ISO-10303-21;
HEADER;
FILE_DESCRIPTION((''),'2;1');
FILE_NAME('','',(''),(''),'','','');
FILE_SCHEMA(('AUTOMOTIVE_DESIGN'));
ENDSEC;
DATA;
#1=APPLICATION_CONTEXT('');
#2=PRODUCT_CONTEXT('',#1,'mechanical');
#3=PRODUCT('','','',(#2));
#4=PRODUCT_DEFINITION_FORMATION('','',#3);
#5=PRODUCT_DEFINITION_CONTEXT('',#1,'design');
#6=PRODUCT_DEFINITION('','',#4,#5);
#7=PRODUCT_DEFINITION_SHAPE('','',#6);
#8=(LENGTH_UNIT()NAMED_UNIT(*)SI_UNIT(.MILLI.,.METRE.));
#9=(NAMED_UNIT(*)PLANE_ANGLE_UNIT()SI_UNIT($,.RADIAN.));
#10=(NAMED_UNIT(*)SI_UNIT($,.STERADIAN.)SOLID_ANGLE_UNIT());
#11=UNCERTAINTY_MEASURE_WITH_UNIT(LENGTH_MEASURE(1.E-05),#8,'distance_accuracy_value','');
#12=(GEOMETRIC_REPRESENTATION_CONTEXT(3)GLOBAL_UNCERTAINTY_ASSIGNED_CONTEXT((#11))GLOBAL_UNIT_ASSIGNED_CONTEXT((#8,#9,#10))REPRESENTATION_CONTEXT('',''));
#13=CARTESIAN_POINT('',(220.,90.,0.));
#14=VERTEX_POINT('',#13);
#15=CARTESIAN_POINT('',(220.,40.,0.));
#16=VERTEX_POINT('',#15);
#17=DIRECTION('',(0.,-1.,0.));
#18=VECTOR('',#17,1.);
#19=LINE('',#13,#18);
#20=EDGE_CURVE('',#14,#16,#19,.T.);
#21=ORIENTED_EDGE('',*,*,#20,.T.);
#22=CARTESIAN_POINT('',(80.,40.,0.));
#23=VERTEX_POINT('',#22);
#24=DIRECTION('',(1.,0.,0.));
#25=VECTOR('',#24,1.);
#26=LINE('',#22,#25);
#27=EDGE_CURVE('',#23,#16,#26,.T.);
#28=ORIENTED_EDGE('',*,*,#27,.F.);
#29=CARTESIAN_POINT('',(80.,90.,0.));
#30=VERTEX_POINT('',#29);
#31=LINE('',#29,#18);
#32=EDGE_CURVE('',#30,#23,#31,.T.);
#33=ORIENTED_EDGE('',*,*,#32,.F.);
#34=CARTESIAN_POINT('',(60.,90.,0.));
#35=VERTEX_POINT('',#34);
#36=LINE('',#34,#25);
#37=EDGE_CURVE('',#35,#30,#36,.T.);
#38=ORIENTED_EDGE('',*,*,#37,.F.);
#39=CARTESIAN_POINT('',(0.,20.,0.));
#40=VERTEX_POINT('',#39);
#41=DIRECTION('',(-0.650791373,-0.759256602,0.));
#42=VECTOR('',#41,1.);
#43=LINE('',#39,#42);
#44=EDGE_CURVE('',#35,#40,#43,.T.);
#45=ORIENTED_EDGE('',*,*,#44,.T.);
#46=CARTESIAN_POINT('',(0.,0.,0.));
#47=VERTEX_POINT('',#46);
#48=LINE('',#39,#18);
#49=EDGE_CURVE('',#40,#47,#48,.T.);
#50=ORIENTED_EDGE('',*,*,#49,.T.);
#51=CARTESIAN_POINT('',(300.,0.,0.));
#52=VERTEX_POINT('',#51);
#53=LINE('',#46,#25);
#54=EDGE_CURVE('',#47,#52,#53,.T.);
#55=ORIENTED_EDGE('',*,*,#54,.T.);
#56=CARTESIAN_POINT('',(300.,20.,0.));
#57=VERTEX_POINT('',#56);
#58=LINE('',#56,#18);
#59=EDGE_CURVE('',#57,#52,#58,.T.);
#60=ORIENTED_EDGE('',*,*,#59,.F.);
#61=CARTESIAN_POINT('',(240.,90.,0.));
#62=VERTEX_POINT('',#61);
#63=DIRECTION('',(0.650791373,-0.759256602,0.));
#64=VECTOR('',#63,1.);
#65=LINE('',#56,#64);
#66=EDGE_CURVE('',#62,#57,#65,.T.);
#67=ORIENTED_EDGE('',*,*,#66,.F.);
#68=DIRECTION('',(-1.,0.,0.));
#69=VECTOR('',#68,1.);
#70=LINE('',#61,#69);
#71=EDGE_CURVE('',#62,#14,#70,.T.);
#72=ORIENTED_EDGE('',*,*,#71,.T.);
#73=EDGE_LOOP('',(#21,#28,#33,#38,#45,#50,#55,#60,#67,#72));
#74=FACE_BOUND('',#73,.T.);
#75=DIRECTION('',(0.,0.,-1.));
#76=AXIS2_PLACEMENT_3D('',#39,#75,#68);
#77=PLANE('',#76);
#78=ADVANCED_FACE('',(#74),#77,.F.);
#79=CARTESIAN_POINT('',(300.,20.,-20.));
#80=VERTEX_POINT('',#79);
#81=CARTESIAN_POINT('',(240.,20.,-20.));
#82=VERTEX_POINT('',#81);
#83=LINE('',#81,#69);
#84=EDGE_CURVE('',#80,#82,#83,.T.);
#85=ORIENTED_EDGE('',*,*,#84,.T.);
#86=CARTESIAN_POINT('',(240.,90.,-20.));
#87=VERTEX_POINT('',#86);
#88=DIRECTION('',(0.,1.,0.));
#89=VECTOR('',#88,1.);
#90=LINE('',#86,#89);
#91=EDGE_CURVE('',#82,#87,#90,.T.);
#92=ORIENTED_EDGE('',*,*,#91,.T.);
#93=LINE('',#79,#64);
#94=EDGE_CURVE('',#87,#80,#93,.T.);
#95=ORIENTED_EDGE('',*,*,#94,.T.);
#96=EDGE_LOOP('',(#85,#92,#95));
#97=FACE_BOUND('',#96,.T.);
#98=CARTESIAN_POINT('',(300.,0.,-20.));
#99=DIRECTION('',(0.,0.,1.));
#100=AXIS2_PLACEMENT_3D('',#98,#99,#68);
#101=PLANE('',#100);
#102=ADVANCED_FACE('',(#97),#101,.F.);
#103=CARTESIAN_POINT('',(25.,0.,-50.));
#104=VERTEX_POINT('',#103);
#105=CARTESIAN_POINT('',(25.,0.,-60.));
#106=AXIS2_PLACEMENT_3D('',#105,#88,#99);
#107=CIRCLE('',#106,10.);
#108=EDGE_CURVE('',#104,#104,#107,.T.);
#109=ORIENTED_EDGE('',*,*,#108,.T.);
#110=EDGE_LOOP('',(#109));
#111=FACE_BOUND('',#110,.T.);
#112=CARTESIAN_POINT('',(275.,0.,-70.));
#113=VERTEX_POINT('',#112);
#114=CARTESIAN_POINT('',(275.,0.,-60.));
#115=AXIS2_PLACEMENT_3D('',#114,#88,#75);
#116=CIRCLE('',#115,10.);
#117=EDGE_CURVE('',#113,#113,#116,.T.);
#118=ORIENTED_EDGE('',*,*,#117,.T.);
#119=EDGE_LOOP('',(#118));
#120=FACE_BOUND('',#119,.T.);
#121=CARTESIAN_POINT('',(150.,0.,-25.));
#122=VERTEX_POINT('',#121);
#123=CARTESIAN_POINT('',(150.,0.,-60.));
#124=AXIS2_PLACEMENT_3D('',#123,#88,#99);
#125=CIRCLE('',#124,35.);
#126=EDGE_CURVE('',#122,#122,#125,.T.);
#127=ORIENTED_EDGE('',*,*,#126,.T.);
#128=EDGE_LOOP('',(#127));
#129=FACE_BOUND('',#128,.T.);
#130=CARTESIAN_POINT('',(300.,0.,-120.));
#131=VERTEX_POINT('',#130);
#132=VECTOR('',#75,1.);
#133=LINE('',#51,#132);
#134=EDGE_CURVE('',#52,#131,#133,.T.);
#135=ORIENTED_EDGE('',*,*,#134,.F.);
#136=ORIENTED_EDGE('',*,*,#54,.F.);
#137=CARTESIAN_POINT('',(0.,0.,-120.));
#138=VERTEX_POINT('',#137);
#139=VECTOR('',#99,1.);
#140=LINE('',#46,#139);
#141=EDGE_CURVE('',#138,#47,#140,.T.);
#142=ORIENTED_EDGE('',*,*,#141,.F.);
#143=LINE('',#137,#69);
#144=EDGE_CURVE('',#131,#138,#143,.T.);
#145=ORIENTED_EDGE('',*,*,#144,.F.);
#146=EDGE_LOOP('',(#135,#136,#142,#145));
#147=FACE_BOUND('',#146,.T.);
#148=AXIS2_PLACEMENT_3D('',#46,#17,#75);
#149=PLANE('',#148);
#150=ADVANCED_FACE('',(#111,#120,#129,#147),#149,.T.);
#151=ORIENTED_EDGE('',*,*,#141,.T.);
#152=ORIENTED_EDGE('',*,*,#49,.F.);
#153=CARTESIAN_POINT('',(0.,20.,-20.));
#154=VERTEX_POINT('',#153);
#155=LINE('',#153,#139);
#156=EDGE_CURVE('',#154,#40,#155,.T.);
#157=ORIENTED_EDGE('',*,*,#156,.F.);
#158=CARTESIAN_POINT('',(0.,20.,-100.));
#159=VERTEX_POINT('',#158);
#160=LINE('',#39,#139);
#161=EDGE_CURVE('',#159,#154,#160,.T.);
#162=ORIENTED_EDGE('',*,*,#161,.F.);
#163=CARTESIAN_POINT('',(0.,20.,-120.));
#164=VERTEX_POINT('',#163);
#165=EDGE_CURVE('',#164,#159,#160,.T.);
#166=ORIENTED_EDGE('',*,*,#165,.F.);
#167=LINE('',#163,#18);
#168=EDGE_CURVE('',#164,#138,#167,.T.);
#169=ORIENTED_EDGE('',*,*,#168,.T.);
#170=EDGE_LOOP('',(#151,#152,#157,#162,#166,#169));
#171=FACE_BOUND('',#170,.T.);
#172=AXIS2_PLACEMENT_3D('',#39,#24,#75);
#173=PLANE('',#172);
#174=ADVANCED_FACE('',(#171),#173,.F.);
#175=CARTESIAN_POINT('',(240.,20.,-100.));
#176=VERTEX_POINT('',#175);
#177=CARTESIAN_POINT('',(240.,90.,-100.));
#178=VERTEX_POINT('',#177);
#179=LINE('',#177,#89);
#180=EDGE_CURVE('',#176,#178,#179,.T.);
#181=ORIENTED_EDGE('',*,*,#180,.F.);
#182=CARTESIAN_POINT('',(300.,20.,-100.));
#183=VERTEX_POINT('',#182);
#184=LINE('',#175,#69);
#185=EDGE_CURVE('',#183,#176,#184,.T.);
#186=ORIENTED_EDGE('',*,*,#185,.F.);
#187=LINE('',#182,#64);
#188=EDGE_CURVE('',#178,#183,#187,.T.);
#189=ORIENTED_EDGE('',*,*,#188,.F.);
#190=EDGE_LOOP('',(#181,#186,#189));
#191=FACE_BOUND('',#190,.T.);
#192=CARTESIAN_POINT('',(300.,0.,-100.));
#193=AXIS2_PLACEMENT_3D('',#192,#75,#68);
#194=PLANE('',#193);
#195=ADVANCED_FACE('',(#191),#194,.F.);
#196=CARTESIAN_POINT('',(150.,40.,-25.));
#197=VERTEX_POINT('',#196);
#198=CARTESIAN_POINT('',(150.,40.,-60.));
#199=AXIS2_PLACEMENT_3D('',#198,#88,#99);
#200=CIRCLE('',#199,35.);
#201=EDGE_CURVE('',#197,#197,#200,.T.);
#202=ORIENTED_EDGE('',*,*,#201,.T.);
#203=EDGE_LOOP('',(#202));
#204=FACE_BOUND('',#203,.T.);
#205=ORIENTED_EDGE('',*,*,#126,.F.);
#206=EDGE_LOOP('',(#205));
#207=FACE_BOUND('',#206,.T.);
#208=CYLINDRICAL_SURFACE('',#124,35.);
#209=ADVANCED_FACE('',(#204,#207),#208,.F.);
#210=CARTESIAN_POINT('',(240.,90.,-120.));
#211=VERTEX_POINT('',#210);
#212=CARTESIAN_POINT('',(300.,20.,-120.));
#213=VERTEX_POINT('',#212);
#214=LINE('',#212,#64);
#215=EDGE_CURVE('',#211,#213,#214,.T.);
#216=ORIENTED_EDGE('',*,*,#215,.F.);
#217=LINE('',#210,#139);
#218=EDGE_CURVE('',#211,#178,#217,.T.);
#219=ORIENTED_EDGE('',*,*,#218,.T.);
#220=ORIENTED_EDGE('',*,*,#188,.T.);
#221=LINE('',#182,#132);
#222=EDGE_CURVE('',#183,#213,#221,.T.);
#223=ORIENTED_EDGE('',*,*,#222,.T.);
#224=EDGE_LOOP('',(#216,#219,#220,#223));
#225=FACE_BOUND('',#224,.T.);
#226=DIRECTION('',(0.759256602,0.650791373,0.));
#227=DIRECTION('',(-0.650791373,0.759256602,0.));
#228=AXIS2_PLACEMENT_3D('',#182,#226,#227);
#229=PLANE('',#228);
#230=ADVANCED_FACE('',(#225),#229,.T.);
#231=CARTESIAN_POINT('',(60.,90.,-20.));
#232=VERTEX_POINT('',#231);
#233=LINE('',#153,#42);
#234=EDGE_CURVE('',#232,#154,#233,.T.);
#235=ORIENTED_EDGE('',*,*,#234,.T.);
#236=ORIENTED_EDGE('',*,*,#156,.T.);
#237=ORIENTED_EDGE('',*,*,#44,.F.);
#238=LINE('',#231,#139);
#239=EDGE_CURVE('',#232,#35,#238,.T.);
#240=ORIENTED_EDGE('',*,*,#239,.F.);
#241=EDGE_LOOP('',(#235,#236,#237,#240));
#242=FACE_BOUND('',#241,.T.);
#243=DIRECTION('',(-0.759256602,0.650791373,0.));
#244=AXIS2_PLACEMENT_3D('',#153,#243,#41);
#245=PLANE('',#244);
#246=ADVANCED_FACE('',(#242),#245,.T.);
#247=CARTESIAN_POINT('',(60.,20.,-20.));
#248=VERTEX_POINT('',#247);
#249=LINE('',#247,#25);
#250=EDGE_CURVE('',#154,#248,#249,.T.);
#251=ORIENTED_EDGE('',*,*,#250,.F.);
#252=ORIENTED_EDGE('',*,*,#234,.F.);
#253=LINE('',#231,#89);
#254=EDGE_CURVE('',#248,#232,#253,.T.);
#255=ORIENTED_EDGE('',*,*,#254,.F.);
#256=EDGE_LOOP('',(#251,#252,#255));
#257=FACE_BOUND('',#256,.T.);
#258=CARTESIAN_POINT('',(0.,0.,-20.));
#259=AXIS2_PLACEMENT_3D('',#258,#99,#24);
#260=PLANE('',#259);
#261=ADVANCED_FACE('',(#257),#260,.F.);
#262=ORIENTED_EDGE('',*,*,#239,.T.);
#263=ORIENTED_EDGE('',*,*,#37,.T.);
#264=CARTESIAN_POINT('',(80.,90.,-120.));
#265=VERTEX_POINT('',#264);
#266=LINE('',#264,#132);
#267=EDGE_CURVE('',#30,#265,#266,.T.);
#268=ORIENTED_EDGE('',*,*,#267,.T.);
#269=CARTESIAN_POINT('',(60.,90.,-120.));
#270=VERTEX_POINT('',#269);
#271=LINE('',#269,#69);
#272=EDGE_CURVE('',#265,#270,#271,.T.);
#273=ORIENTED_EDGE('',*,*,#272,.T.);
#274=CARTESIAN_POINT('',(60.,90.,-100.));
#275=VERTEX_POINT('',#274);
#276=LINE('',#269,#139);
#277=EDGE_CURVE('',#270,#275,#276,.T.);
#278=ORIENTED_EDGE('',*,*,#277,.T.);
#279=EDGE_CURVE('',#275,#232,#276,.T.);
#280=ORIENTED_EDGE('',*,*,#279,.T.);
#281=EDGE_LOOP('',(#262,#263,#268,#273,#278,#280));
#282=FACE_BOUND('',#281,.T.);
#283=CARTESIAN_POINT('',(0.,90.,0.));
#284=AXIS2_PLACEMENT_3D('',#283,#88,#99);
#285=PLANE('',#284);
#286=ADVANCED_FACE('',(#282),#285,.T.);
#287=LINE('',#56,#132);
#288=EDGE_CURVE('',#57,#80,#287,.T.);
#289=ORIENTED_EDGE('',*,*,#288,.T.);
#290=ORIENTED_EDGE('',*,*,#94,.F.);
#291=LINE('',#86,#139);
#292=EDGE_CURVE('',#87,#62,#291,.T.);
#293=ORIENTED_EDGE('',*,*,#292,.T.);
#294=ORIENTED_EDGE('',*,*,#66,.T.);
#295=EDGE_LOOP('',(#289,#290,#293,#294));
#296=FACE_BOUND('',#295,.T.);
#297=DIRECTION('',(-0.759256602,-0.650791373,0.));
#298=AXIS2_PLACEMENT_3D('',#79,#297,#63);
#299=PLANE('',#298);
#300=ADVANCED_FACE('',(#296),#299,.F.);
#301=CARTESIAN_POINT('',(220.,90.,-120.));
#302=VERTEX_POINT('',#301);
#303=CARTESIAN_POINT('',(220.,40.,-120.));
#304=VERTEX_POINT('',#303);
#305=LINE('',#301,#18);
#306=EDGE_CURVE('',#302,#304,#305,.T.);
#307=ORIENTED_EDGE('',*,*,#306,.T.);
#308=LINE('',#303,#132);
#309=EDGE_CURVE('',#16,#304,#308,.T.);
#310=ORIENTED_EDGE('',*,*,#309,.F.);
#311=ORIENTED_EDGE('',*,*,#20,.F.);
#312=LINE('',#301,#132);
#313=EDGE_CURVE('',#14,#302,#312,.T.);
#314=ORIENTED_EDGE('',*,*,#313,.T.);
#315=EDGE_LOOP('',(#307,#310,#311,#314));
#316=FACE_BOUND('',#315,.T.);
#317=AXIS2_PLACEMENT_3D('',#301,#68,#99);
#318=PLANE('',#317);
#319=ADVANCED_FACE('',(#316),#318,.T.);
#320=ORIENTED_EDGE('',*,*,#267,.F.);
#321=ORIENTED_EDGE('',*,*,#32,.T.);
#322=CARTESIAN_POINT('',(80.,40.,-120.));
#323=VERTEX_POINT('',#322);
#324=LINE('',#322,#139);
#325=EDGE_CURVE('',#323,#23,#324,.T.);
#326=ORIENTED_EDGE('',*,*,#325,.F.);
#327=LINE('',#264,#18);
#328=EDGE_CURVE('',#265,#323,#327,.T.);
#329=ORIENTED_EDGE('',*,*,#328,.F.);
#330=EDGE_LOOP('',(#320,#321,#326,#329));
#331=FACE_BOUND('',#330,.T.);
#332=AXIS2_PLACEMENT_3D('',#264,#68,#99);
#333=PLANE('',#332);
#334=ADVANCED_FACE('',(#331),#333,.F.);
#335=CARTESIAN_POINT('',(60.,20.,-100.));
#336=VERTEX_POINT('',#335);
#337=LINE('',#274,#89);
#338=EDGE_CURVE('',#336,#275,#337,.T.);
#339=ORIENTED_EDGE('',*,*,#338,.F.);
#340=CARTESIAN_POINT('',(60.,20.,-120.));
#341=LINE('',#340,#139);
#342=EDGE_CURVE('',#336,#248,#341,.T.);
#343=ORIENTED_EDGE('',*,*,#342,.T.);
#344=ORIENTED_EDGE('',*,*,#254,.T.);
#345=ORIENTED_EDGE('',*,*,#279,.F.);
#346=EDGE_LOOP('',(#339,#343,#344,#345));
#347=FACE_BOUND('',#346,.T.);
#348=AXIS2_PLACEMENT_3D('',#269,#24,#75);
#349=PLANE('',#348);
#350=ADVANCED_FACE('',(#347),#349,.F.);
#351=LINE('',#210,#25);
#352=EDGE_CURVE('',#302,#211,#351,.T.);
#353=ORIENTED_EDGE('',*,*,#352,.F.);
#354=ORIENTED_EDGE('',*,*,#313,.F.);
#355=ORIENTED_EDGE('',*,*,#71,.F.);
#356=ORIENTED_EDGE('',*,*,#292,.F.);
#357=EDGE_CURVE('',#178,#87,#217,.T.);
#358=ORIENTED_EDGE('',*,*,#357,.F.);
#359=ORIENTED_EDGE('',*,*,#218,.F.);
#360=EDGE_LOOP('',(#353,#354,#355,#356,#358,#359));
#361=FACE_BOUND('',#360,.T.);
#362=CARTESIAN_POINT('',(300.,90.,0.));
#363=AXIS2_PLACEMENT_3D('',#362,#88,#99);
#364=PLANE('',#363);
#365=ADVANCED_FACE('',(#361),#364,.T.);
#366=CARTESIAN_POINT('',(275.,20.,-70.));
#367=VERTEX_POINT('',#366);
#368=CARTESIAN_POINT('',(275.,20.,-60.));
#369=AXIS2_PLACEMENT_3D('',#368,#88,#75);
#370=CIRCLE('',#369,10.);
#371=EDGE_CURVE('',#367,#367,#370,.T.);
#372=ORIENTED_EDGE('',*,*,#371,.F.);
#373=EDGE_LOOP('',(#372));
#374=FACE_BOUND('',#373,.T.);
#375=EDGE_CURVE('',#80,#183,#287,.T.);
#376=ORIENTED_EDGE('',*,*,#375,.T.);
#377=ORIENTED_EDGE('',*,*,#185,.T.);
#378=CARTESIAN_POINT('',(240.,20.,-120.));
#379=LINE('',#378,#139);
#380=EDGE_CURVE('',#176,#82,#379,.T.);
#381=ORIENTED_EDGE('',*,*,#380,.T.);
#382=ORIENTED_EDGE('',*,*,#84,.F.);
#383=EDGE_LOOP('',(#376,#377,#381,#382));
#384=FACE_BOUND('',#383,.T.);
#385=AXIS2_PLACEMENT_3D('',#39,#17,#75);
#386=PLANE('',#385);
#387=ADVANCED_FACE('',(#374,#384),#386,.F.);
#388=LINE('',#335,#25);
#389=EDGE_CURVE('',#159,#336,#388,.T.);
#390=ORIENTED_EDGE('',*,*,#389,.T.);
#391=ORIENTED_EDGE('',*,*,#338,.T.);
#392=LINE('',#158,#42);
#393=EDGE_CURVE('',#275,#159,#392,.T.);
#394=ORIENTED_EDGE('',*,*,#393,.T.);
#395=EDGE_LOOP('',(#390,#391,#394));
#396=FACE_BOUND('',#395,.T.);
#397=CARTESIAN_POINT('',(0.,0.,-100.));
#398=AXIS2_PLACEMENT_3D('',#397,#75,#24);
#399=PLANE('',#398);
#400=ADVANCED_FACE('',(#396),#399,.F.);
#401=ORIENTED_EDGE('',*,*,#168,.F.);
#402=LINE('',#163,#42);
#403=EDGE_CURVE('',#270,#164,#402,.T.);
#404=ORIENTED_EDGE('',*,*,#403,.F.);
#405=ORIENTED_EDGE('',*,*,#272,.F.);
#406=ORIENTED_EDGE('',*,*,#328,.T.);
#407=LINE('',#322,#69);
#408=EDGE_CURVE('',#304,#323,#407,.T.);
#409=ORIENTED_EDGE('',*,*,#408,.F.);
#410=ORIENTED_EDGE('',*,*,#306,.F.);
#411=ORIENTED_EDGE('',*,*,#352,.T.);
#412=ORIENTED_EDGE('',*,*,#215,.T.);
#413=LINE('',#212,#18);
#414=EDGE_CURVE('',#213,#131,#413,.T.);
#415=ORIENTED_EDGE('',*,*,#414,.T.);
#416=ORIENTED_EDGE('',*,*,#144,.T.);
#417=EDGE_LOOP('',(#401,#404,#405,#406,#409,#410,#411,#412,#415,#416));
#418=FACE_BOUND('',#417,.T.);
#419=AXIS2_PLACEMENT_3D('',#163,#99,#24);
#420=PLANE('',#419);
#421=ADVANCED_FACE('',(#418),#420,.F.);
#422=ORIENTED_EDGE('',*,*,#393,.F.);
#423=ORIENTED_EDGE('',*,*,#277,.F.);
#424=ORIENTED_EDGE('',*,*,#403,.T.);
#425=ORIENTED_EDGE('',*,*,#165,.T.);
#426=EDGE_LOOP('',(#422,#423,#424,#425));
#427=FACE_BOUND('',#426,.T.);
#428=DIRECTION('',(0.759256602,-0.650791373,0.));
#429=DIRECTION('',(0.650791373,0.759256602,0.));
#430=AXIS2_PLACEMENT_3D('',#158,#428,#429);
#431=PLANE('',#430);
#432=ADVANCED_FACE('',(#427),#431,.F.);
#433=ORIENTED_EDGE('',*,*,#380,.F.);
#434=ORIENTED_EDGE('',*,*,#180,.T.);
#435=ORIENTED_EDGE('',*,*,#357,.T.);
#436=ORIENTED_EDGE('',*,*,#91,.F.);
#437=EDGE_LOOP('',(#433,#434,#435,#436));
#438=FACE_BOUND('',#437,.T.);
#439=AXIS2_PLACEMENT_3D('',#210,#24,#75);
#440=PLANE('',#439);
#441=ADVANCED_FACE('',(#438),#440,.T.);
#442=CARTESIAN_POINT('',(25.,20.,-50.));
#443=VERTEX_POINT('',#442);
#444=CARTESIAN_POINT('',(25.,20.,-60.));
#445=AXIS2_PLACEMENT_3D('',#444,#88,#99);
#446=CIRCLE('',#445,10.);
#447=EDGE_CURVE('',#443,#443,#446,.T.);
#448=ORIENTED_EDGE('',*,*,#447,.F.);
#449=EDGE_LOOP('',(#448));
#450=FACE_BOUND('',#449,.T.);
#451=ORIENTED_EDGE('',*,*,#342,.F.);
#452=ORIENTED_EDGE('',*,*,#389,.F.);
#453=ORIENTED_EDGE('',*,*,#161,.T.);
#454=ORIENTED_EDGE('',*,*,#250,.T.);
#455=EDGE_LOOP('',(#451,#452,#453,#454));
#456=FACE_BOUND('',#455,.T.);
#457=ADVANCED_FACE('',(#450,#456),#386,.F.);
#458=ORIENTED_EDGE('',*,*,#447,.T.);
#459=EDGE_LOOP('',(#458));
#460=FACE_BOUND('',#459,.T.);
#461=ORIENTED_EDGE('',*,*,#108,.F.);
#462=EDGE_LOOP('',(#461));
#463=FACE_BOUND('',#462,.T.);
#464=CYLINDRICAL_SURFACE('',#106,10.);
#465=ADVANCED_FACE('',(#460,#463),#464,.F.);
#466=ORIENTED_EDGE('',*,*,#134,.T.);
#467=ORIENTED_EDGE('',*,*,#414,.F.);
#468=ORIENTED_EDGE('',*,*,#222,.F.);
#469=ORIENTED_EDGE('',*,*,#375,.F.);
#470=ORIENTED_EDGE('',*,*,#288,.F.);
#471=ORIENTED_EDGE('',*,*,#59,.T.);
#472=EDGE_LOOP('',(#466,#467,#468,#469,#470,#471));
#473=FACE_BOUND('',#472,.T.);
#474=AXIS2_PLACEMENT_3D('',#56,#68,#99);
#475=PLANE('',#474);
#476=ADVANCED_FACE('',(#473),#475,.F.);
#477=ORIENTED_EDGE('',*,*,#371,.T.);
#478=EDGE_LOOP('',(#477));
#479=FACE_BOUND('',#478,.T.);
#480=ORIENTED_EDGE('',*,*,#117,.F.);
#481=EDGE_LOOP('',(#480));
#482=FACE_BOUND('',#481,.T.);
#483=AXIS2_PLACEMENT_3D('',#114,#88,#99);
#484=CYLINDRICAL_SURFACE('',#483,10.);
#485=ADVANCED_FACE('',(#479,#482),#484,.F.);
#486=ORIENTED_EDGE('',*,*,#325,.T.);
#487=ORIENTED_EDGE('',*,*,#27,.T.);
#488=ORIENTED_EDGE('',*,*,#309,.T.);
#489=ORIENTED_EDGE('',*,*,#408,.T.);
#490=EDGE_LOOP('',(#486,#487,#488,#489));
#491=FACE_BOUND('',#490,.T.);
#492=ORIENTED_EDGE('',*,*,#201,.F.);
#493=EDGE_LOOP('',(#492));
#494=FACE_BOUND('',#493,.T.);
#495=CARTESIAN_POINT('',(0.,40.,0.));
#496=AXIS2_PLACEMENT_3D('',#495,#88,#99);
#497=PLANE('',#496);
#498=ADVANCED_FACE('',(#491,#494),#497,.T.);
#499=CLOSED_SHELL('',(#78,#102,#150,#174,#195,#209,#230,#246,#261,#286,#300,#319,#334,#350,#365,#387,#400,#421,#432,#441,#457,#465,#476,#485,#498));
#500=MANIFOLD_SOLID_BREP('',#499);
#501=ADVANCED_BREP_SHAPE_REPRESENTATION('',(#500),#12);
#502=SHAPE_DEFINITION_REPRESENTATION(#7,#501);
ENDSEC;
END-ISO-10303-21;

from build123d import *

# Parameters (mm, degrees)
IZIM1_W                     = 300
IZIM1_H                     = 120
Y_KSEKLIK_EKSTR_ZYON1_DEPTH = 20
IZIM2_W                     = 20
IZIM2_H                     = 120
Y_KSEKLIK_EKSTR_ZYON2_DEPTH = 70
IZIM3_W                     = 140
IZIM3_H                     = 120
Y_KSEKLIK_EKSTR_ZYON3_DEPTH = 20
Y_KSEKLIK_EKSTR_ZYON4_DEPTH = 20
AYNALAMA3_COPY_1_DEPTH      = 20
IZIM5_R                     = 35
KES_EKSTR_ZYON1_DEPTH       = 51
KES_EKSTR_ZYON1_DEPTH_BACK  = 41
IZIM6_R                     = 10
KES_EKSTR_ZYON2_DEPTH       = 20


with BuildPart() as part:
    # Çizim1 → Yükseklik-Ekstrüzyon1 (new body)
    with BuildSketch(Plane(origin=(0, 0, 0), x_dir=(1, 0, 0), z_dir=(0, 1, 0))):
        with Locations((150, 60)):
            Rectangle(IZIM1_W, IZIM1_H)
    extrude(amount=Y_KSEKLIK_EKSTR_ZYON1_DEPTH)

    # Çizim2 → Yükseklik-Ekstrüzyon2 (add)
    with BuildSketch(Plane(origin=(0, 20, 0), x_dir=(1, 0, 0), z_dir=(0, 1, 0))):
        with Locations((70, 60)):
            Rectangle(IZIM2_W, IZIM2_H)
    y_kseklik_ekstr_zyon2 = extrude(amount=Y_KSEKLIK_EKSTR_ZYON2_DEPTH)

    # Aynalama1: Yükseklik-Ekstrüzyon2 across plane
    add(y_kseklik_ekstr_zyon2.mirror(Plane.ZY.offset(-150)))

    # Çizim3 → Yükseklik-Ekstrüzyon3 (add)
    with BuildSketch(Plane(origin=(0, 20, 0), x_dir=(1, 0, 0), z_dir=(0, 1, 0))):
        with Locations((150, 60)):
            Rectangle(IZIM3_W, IZIM3_H)
    extrude(amount=Y_KSEKLIK_EKSTR_ZYON3_DEPTH)

    # Çizim4 → Yükseklik-Ekstrüzyon4 (add)
    with BuildSketch(Plane.XY):
        Polygon((0, 20), (60, 90), (60, 20), align=None)
    y_kseklik_ekstr_zyon4 = extrude(amount=-Y_KSEKLIK_EKSTR_ZYON4_DEPTH)

    # Aynalama2: Yükseklik-Ekstrüzyon4 across plane
    add(y_kseklik_ekstr_zyon4.mirror(Plane.XY.offset(-60)))

    # Aynalama3: Yükseklik-Ekstrüzyon4 across plane
    add(y_kseklik_ekstr_zyon4.mirror(Plane.ZY.offset(-150)))

    # Aynalama3 copy 1 sketch → Aynalama3 copy 1 (add)
    with BuildSketch(Plane(origin=(300, 0, -120), x_dir=(-1, 0, 0), z_dir=(0, 0, -1))):
        Polygon((0, 20), (60, 90), (60, 20), align=None)
    extrude(amount=-AYNALAMA3_COPY_1_DEPTH)

    # Çizim5 → Kes-Ekstrüzyon1 (cut, two sides)
    with BuildSketch(Plane(origin=(0, 40, 0), x_dir=(1, 0, 0), z_dir=(0, 1, 0))) as kes_ekstr_zyon1_sk:
        with Locations((150, 60)):
            Circle(IZIM5_R)
    extrude(amount=KES_EKSTR_ZYON1_DEPTH, mode=Mode.SUBTRACT)
    extrude(kes_ekstr_zyon1_sk.sketch, amount=-KES_EKSTR_ZYON1_DEPTH_BACK, mode=Mode.SUBTRACT)

    # Çizim6 → Kes-Ekstrüzyon2 (cut)
    with BuildSketch(Plane(origin=(0, 20, 0), x_dir=(1, 0, 0), z_dir=(0, 1, 0))):
        with Locations((25, 60)):
            Circle(IZIM6_R)
        with Locations((275, 60)):
            Circle(IZIM6_R)
    extrude(amount=-KES_EKSTR_ZYON2_DEPTH, mode=Mode.SUBTRACT)


solid = part.part
